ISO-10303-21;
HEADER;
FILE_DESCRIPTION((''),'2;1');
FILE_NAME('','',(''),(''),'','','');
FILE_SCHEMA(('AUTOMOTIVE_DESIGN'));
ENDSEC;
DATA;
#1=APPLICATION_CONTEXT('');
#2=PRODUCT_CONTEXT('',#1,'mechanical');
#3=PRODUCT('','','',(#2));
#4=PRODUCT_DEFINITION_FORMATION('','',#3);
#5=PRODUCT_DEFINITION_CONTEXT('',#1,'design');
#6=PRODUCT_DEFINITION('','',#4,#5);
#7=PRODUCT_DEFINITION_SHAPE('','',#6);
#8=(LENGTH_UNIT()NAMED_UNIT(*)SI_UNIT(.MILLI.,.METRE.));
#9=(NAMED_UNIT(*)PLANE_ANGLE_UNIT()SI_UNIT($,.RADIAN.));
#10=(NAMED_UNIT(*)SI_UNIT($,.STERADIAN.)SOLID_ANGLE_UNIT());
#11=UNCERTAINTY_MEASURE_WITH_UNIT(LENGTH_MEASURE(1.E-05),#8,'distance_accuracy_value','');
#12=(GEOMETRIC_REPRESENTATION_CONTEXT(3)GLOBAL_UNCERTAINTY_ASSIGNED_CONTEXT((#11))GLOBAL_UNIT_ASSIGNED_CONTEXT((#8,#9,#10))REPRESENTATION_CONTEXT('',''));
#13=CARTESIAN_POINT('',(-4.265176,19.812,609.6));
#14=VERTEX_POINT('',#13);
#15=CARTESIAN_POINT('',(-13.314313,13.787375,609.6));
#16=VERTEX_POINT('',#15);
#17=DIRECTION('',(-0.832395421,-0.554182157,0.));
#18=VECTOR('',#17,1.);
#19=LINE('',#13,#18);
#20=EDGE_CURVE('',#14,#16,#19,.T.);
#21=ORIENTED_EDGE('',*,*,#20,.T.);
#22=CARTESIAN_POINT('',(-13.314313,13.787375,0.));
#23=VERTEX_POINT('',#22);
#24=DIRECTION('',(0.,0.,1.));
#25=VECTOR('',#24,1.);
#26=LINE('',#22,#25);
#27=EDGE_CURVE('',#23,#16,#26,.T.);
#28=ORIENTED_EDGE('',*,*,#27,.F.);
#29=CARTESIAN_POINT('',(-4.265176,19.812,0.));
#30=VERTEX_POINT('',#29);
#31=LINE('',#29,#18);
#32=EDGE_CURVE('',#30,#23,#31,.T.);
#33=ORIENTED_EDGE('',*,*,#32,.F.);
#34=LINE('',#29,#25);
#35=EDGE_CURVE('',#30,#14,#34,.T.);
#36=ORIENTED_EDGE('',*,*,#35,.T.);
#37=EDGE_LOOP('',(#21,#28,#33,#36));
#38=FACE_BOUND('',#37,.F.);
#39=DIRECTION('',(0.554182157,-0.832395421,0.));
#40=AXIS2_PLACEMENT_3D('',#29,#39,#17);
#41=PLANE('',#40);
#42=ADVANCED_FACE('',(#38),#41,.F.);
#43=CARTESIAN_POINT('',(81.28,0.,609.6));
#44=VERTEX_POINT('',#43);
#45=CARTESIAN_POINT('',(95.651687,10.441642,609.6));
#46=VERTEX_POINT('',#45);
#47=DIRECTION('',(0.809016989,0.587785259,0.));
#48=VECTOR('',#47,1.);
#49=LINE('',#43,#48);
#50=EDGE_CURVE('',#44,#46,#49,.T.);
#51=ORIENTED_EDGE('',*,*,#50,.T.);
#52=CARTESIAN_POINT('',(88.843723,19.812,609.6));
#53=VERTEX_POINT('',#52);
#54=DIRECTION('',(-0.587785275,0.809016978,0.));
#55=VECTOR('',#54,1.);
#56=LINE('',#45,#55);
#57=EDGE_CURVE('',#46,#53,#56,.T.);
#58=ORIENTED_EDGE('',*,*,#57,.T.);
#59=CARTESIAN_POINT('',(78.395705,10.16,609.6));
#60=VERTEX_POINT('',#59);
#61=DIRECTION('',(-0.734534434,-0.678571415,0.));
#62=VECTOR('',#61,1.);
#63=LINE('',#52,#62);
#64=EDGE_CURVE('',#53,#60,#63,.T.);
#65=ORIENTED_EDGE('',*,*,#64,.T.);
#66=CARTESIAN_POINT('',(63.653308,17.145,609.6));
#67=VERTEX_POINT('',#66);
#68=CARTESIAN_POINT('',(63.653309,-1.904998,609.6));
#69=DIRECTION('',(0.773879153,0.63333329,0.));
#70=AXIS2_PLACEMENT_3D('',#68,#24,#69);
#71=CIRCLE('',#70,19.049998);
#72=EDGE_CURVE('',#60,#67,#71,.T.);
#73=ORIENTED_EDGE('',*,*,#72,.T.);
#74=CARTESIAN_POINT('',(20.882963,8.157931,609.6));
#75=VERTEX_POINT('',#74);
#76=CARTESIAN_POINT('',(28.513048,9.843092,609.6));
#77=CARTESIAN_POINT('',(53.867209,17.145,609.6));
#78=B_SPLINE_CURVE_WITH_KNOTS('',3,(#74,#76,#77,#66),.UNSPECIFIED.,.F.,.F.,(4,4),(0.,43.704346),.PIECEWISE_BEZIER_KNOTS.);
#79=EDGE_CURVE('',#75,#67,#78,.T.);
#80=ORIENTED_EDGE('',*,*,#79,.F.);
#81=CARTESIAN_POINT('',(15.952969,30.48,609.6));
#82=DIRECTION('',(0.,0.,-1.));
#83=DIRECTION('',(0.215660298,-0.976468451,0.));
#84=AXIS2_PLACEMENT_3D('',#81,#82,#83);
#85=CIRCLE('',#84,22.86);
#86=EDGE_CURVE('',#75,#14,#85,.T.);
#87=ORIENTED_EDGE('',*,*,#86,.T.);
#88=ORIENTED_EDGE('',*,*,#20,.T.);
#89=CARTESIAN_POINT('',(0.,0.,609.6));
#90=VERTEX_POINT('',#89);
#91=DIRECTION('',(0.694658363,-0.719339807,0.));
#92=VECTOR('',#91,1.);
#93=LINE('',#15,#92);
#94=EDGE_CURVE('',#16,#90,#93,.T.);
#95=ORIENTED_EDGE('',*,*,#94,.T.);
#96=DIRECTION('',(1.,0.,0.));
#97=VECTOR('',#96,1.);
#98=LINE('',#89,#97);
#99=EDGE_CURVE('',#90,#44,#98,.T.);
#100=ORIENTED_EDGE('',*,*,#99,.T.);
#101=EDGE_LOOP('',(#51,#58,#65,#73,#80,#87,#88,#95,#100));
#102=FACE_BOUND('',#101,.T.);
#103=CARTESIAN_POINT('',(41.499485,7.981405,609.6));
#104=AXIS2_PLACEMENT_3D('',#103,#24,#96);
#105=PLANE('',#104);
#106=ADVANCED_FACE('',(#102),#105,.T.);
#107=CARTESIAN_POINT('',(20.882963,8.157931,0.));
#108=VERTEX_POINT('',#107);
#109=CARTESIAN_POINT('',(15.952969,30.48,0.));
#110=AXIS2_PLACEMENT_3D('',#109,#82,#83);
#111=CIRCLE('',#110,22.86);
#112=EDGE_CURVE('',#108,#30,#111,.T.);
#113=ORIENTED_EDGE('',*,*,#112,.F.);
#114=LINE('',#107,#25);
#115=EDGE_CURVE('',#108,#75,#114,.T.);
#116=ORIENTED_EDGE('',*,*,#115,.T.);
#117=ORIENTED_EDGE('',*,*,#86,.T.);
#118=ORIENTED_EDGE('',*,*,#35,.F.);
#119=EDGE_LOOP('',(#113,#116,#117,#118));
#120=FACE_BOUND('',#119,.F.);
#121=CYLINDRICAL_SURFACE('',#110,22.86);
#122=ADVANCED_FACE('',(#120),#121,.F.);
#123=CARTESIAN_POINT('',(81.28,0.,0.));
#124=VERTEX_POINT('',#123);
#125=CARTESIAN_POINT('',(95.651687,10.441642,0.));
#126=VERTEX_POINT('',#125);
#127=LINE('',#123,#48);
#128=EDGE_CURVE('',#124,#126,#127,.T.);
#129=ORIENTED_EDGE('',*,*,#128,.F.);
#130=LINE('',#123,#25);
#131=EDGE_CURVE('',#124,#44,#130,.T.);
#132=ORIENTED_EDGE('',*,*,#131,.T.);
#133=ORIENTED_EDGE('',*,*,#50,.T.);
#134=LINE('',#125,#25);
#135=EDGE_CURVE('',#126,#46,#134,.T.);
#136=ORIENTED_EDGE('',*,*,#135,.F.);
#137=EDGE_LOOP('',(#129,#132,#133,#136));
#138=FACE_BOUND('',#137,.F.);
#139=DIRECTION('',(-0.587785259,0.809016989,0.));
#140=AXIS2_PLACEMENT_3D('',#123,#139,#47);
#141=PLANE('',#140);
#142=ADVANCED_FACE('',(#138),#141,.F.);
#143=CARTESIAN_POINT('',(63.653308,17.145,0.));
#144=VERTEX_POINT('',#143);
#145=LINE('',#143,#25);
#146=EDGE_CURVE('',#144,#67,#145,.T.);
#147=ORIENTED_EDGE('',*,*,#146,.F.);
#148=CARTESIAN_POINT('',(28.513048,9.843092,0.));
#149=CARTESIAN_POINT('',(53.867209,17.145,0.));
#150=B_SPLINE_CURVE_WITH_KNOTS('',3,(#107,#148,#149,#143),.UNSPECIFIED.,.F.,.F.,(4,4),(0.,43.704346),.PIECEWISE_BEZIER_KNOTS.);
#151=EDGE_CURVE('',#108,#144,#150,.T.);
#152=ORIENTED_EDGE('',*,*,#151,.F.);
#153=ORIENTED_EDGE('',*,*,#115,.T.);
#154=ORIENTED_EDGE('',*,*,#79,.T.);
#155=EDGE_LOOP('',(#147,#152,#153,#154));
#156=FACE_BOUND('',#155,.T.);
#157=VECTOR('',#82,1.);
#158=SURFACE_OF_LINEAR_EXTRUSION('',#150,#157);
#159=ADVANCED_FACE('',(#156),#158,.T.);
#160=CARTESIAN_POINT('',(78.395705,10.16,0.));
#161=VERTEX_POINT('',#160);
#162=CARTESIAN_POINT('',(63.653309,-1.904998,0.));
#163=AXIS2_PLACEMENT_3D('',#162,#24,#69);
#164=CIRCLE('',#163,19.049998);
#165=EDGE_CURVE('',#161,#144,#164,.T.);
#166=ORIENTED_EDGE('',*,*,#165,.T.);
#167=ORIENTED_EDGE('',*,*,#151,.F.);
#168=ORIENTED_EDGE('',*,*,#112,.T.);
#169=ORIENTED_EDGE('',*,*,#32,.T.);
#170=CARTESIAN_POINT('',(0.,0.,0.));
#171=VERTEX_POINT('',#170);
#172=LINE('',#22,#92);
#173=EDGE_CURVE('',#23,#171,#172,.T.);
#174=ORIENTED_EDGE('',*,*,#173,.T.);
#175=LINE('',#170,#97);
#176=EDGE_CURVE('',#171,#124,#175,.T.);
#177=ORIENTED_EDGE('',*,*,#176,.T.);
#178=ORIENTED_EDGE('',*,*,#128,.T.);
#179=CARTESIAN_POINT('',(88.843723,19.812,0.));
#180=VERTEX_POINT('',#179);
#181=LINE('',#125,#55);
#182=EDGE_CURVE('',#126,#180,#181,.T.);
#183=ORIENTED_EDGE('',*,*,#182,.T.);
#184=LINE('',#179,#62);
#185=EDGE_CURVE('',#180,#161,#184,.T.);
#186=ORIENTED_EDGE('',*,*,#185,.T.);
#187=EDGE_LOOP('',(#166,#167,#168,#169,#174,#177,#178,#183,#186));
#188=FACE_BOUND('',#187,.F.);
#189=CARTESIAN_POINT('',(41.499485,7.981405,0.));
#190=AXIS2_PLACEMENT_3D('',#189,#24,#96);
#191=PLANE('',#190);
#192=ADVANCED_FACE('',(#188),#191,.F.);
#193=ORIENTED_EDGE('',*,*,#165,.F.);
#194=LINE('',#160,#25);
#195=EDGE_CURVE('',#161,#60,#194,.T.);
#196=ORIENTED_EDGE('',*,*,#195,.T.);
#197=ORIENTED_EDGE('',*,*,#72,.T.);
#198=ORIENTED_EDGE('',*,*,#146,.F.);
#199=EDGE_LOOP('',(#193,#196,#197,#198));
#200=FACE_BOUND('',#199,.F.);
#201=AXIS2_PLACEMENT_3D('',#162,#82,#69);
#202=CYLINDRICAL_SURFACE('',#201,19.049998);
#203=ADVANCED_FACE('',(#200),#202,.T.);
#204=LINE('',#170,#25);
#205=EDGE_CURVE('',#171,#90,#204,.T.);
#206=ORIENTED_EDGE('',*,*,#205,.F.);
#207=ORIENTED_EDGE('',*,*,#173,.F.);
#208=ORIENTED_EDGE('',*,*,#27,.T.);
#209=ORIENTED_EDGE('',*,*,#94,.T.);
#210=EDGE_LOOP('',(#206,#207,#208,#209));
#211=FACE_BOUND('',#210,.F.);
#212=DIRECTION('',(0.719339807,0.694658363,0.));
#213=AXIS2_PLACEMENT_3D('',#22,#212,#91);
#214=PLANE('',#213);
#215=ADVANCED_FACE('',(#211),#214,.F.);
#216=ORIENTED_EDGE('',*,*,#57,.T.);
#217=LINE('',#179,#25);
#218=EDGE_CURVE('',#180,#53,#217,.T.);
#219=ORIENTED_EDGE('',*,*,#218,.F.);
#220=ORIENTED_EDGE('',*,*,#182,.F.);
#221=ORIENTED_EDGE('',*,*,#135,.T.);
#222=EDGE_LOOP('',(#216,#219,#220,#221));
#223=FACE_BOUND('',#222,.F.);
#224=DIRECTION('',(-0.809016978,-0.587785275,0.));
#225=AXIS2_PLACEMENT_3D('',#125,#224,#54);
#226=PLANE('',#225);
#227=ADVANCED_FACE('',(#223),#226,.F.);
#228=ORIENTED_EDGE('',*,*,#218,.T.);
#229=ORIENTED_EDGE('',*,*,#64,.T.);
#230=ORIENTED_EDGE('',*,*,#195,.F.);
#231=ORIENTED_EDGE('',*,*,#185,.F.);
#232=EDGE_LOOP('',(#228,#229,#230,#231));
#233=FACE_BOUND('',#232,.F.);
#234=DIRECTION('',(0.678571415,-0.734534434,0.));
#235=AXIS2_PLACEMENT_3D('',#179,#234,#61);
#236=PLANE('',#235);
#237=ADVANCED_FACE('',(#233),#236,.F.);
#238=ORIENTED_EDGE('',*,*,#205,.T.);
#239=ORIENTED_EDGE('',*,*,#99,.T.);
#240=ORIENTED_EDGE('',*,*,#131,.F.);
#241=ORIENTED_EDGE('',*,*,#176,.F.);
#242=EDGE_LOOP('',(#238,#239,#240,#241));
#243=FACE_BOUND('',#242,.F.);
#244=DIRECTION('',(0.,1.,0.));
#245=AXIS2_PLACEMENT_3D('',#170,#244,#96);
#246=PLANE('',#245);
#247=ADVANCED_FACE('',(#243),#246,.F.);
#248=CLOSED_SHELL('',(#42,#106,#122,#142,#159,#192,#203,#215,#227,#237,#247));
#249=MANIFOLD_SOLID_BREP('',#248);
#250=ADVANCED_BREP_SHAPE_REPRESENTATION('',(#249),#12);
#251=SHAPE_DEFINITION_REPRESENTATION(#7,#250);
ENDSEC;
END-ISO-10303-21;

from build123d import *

# Parameters (mm, degrees)
F1_DEPTH = 609.6


with BuildPart() as f1:
    # F0 (on Top) → F1 (new body)
    with BuildSketch(Plane.XY):
        with BuildLine():
            Line((-13.314313, 13.787375), (0, 0))
            Line((0, 0), (81.28, 0))
            Line((81.28, 0), (95.651687, 10.441642))
            Line((95.651687, 10.441642), (88.843723, 19.812))
            Line((88.843723, 19.812), (78.395705, 10.16))
            ThreePointArc((78.395705, 10.16), (71.810031, 15.310411), (63.653308, 17.145))
            add(Edge.make_bspline(
                [(20.882963, 8.157931), (28.513048, 9.843092), (53.867209, 17.145), (63.653308, 17.145)],
                knots=[0, 0, 0, 0, 43.704346, 43.704346, 43.704346, 43.704346], degree=3))
            ThreePointArc((20.882963, 8.157931), (6.341194, 9.738896), (-4.265176, 19.812))
            Line((-4.265176, 19.812), (-13.314313, 13.787375))
        make_face()
    extrude(amount=F1_DEPTH)


solid = f1.part
